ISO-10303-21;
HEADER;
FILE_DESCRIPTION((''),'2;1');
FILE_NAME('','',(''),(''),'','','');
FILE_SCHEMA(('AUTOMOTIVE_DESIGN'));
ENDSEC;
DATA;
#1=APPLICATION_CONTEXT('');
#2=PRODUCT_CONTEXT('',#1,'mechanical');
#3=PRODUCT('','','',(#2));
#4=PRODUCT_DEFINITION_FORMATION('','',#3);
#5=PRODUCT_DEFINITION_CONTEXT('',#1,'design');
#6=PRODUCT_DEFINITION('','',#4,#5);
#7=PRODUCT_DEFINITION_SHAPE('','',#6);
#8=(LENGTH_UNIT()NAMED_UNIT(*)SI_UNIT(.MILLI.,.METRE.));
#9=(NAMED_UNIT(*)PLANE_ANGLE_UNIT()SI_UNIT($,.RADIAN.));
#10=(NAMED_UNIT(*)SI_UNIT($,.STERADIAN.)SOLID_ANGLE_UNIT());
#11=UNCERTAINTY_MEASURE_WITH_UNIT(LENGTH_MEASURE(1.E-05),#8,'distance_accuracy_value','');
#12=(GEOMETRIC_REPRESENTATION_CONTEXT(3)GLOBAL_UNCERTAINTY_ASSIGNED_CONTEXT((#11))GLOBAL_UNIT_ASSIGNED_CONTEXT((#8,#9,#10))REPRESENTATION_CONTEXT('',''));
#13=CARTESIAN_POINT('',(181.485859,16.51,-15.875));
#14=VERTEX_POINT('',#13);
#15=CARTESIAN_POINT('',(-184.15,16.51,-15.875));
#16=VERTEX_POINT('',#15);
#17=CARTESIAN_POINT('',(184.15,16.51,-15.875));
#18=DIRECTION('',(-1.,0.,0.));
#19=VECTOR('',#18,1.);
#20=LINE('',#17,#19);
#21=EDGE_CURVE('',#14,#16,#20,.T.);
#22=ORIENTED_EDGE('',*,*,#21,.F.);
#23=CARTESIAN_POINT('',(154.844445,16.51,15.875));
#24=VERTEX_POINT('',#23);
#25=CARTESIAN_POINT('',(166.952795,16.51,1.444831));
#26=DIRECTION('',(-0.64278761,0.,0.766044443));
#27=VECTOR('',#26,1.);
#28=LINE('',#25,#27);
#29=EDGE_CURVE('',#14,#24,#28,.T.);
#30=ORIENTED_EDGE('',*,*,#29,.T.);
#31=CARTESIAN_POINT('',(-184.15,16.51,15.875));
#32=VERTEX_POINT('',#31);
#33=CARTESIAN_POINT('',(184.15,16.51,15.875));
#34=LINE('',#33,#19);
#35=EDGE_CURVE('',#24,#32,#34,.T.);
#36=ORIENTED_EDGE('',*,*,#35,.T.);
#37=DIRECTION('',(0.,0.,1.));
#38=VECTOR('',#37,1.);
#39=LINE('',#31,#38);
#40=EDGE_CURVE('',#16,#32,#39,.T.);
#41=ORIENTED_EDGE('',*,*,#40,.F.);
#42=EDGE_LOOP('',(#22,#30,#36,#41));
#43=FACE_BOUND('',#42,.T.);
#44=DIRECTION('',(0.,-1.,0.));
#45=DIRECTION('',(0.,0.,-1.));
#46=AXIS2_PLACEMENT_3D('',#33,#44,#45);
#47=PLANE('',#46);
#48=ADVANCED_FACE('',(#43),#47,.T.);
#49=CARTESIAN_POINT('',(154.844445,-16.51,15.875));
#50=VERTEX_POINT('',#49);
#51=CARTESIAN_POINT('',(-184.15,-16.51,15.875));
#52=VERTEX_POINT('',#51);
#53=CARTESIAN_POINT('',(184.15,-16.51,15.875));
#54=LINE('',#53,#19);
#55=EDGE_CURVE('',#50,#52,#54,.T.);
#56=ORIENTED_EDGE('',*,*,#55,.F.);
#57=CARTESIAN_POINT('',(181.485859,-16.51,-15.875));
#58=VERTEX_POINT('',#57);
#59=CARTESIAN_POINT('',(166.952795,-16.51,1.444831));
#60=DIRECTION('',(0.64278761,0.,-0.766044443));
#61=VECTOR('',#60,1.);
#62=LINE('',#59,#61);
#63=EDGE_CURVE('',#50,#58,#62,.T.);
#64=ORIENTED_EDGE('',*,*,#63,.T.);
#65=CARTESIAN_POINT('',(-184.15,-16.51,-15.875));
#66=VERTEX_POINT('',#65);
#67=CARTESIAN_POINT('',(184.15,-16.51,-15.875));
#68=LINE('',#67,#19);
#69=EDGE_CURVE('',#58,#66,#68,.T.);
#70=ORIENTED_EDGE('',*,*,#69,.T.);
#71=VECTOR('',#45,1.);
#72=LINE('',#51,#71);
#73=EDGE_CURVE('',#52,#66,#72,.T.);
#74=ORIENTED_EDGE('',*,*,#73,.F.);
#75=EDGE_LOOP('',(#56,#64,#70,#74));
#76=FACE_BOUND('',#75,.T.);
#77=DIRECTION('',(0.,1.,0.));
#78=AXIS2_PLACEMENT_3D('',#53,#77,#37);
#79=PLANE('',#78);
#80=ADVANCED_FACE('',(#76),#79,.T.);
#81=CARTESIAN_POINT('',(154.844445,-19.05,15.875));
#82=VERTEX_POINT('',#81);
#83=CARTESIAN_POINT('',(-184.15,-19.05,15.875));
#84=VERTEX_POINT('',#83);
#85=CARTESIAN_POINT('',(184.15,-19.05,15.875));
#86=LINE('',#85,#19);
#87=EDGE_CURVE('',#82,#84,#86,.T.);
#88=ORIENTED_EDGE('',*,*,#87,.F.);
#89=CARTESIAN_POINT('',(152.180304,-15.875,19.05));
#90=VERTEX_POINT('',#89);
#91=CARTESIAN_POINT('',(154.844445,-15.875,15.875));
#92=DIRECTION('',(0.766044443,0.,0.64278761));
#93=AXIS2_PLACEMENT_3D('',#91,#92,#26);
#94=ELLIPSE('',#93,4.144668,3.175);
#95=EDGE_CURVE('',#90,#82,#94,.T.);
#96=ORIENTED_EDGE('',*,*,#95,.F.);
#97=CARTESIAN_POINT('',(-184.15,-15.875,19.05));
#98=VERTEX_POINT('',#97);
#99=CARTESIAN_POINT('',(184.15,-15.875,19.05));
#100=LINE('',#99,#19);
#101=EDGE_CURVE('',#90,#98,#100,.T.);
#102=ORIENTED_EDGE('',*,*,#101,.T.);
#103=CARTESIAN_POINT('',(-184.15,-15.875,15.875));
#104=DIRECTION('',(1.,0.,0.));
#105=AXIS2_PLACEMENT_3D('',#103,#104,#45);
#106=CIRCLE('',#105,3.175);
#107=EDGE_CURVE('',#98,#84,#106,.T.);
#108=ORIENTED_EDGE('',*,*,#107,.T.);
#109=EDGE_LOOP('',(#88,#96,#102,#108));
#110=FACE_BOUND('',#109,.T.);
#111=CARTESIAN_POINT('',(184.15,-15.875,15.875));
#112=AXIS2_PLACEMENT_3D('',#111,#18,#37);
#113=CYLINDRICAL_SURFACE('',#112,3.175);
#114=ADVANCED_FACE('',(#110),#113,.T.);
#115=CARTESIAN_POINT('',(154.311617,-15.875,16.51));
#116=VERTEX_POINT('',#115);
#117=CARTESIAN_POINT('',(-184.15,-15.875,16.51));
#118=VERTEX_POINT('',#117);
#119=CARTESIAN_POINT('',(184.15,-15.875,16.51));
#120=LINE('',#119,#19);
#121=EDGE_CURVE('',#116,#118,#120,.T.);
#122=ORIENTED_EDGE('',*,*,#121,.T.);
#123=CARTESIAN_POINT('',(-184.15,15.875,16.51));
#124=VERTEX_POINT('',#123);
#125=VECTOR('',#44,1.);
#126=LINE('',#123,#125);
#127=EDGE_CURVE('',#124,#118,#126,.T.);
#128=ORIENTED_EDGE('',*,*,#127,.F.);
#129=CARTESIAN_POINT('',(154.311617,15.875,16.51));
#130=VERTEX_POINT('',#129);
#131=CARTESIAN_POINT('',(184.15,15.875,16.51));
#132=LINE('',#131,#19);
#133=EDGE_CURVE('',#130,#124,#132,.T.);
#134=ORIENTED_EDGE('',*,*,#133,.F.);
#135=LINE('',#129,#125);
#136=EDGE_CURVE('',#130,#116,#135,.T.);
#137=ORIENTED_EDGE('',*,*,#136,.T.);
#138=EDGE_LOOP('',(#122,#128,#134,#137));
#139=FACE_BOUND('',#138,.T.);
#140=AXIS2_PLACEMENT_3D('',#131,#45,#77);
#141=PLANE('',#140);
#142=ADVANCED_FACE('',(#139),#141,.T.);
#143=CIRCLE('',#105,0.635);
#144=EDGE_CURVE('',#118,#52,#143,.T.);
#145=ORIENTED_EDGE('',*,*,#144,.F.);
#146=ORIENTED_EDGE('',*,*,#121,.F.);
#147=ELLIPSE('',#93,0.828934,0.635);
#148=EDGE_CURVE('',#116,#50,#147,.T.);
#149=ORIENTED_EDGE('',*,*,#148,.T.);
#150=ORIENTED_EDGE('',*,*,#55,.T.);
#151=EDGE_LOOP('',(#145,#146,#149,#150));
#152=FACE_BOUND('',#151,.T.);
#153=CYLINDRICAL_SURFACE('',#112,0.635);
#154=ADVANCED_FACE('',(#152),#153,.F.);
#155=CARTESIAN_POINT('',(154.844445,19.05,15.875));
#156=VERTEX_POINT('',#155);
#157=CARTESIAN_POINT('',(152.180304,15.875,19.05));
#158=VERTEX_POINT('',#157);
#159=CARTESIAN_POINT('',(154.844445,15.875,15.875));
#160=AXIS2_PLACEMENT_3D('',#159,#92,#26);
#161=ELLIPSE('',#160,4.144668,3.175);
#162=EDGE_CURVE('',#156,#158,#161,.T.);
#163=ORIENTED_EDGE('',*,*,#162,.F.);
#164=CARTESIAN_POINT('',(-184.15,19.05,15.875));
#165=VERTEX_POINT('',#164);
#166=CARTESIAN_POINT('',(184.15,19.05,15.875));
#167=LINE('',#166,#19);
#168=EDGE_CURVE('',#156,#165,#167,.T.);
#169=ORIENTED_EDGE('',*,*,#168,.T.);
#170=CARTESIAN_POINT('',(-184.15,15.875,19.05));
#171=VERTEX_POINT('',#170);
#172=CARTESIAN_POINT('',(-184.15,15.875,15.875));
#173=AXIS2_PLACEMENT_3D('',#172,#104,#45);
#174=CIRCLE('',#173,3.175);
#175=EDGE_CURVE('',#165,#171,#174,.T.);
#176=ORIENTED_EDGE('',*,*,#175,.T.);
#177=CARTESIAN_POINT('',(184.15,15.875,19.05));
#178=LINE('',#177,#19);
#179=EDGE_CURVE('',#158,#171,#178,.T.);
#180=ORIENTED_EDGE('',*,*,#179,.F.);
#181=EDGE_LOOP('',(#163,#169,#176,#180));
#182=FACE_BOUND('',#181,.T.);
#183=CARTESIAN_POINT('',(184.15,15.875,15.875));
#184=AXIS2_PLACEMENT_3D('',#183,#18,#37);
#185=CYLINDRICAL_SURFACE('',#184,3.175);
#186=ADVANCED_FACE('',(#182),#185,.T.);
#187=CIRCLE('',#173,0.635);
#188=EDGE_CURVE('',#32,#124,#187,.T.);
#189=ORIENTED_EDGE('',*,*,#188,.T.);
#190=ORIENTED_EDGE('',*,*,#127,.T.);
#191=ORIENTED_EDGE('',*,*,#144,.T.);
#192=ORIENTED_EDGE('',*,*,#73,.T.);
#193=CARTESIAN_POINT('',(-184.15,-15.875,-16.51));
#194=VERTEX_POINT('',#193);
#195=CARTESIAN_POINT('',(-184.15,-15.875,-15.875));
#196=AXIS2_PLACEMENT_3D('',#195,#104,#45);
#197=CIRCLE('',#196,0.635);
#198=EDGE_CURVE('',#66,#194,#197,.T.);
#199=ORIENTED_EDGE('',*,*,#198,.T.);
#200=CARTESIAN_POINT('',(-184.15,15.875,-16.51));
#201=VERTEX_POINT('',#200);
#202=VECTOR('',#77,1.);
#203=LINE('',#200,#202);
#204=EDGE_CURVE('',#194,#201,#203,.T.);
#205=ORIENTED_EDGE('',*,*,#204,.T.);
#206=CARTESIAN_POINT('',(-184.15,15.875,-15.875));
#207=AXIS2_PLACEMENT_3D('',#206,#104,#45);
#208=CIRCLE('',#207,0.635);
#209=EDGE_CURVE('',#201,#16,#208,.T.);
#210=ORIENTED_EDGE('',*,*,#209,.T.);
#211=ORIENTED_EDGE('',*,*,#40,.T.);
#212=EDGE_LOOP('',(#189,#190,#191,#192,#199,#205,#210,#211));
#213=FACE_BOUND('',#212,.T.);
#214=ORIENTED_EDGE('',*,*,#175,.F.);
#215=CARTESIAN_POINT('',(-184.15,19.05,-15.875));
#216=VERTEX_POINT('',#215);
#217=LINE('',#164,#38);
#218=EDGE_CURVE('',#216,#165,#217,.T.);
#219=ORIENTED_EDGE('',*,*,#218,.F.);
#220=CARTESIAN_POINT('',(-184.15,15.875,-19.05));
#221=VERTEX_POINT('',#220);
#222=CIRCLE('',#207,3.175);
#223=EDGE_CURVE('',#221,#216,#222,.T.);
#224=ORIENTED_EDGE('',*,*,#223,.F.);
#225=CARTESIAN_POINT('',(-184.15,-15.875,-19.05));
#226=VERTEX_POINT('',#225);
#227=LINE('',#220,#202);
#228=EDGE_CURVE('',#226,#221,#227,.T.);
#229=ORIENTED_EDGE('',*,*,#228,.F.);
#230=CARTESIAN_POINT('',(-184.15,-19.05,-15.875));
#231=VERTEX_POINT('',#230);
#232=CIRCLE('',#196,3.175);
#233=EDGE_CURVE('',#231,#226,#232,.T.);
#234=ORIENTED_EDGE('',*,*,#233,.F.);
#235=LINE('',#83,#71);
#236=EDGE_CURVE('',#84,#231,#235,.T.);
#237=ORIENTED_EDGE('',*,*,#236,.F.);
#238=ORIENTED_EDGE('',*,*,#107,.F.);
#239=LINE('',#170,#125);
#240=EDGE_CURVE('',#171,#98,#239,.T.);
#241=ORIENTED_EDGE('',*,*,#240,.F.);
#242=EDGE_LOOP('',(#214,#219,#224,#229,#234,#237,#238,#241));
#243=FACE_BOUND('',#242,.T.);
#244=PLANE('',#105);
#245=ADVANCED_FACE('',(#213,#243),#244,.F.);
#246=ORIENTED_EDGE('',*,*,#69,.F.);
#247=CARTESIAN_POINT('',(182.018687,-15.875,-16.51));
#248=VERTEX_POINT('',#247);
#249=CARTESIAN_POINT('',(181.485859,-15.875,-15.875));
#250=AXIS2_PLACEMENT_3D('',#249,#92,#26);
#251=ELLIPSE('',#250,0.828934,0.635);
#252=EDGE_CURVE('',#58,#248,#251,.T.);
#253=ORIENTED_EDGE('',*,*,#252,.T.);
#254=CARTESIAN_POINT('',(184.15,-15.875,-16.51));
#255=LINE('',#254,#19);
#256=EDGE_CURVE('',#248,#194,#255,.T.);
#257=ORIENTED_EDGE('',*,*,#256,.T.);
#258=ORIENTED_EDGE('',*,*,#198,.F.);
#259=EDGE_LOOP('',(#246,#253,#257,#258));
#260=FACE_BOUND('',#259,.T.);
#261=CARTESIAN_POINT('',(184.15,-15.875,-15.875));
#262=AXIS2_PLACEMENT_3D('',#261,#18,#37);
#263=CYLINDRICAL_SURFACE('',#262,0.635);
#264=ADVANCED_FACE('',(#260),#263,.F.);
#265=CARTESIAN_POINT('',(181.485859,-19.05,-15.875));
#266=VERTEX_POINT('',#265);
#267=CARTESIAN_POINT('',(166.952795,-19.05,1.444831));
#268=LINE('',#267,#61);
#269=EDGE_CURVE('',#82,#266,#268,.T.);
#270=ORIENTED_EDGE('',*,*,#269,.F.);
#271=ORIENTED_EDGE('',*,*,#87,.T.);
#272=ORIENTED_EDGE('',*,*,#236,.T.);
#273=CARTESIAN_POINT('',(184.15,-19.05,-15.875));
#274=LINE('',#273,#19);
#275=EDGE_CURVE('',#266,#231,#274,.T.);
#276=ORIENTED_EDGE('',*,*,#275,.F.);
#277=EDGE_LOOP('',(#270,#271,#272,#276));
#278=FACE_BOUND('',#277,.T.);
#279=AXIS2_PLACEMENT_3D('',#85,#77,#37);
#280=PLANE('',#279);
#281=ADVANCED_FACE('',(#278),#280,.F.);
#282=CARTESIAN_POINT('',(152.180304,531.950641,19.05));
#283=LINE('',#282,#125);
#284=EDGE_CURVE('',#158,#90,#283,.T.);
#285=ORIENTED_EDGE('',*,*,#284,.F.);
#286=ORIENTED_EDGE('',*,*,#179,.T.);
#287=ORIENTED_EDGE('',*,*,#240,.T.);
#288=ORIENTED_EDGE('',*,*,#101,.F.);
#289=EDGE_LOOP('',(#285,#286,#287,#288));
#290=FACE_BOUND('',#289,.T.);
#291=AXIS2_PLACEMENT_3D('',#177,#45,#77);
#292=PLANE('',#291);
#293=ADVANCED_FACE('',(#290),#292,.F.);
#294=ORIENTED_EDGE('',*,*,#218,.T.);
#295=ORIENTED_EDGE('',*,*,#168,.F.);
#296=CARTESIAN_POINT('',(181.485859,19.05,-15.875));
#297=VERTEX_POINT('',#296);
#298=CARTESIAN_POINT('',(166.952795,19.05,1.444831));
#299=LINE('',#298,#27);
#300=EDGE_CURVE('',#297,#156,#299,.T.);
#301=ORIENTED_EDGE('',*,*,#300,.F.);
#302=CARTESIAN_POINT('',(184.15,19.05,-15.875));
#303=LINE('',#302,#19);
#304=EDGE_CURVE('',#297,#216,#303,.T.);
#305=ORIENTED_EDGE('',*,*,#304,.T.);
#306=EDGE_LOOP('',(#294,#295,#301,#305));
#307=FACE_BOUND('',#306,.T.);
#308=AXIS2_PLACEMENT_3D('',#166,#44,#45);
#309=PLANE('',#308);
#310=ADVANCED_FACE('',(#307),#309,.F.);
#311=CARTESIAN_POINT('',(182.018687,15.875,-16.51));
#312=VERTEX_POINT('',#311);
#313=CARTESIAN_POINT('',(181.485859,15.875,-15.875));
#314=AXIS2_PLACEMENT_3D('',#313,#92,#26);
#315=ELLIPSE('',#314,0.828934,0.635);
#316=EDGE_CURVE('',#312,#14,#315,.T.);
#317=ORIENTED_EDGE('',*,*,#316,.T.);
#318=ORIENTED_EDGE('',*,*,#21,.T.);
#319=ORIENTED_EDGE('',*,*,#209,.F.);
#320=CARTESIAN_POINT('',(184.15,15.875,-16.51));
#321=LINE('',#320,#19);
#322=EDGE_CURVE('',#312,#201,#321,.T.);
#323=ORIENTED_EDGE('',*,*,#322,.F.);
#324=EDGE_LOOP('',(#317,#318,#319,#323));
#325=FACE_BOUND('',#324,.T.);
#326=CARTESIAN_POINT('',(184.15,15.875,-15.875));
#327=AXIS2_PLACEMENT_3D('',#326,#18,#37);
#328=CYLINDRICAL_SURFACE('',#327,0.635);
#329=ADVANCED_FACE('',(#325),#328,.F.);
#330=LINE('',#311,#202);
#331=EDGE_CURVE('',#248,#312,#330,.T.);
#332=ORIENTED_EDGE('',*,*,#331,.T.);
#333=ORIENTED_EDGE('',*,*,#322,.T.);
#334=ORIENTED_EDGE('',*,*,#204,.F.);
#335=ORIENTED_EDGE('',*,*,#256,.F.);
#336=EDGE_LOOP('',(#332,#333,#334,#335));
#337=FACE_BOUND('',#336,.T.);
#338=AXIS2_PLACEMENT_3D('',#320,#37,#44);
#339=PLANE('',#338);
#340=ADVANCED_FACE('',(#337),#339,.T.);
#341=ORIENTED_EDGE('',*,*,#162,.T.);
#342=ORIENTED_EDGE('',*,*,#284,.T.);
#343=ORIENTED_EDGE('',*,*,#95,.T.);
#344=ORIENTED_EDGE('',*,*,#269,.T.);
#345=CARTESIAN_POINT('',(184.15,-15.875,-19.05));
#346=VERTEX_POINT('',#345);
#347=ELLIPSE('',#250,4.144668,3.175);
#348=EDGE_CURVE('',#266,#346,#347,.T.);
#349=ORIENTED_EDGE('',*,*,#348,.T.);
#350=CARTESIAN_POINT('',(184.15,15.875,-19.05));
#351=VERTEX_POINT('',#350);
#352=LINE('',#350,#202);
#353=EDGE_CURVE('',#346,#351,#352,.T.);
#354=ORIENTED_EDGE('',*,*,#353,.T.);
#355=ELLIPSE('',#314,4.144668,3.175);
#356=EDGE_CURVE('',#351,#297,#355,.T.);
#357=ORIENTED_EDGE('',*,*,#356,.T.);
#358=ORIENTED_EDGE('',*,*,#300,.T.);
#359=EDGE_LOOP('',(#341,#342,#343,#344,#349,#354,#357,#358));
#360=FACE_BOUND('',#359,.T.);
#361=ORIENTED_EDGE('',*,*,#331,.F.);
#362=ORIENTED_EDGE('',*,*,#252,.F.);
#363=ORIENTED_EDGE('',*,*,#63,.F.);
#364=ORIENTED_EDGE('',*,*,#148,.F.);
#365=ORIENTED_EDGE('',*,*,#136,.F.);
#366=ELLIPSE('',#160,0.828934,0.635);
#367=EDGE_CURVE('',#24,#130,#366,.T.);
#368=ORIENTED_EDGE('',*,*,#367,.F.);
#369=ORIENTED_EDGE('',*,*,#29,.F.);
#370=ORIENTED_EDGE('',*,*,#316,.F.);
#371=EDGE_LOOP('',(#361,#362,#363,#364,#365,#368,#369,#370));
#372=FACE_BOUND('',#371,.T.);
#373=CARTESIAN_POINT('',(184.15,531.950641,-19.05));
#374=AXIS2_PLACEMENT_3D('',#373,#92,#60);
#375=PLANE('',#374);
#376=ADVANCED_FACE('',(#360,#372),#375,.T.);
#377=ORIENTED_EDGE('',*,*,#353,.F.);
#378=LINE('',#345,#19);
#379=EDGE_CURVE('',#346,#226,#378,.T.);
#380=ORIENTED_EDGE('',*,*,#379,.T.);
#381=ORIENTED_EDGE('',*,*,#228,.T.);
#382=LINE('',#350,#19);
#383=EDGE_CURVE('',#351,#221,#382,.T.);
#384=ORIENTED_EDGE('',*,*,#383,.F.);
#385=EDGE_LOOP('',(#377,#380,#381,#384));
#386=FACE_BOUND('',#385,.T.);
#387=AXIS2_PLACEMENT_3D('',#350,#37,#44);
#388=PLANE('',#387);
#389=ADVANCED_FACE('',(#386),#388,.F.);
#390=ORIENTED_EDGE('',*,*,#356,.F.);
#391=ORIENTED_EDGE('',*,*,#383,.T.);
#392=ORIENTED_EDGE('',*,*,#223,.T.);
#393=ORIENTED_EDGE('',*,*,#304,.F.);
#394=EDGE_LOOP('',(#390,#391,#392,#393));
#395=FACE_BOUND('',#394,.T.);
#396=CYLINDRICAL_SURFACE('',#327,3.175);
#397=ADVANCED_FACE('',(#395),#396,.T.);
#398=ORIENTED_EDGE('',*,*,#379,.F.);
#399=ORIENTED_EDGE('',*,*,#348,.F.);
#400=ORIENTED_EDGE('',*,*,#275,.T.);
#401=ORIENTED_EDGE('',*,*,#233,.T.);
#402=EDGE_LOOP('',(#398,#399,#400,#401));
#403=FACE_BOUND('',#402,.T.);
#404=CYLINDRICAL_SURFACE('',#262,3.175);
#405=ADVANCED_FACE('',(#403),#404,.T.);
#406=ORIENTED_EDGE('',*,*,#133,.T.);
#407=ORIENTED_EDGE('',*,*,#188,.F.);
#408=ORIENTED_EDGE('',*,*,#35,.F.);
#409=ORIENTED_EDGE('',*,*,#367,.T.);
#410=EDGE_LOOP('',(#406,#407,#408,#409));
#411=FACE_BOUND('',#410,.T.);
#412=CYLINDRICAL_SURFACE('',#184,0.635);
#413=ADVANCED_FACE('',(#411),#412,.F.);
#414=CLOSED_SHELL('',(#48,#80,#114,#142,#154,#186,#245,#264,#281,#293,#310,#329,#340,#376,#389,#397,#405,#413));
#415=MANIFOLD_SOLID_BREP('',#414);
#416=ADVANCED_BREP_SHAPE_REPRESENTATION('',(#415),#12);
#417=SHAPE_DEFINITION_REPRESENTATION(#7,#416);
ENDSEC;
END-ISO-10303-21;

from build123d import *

# Parameters (mm, degrees)
EXTRUDE_THIN1_DEPTH     = 184.15
CUT_EXTRUDE1_DEPTH      = 1
CUT_EXTRUDE1_DEPTH_BACK = 39.1


with BuildPart() as part:
    # Sketch1 → Extrude-Thin1 (new body, symmetric)
    with BuildSketch(Plane(origin=(0, 0, 0), x_dir=(0, 0, -1), z_dir=(1, 0, 0))):
        with BuildLine():
            Line((-15.875, 19.05), (15.875, 19.05))
            ThreePointArc((15.875, 19.05), (18.12006403, 18.12006403), (19.05, 15.875))
            Line((19.05, 15.875), (19.05, -15.875))
            ThreePointArc((19.05, -15.875), (18.12006403, -18.12006403), (15.875, -19.05))
            Line((15.875, -19.05), (-15.875, -19.05))
            ThreePointArc((-15.875, -19.05), (-18.12006403, -18.12006403), (-19.05, -15.875))
            Line((-19.05, -15.875), (-19.05, 15.875))
            ThreePointArc((-19.05, 15.875), (-18.12006403, 18.12006403), (-15.875, 19.05))
        make_face()
        with BuildLine():
            Line((-15.875, 16.51), (15.875, 16.51))
            ThreePointArc((15.875, 16.51), (16.324012806, 16.324012806), (16.51, 15.875))
            Line((16.51, 15.875), (16.51, -15.875))
            ThreePointArc((16.51, -15.875), (16.324012806, -16.324012806), (15.875, -16.51))
            Line((15.875, -16.51), (-15.875, -16.51))
            ThreePointArc((-15.875, -16.51), (-16.324012806, -16.324012806), (-16.51, -15.875))
            Line((-16.51, -15.875), (-16.51, 15.875))
            ThreePointArc((-16.51, 15.875), (-16.324012806, 16.324012806), (-15.875, 16.51))
        make_face(mode=Mode.SUBTRACT)
    extrude(amount=EXTRUDE_THIN1_DEPTH, both=True)

    # Sketch3 → Cut-Extrude1 (cut, two sides)
    with BuildSketch(Plane(origin=(0, 19.05, 0), x_dir=(1, 0, 0), z_dir=(0, 1, 0))) as cut_extrude1_sk:
        Polygon((666.581957194, 593.990018168), (184.15, 19.05), (152.180304052, -19.05), (-330.251653142, -593.990018168), (819.628383194, -1558.853932556), (1816.46199353, -370.87389622), align=None)
    extrude(amount=CUT_EXTRUDE1_DEPTH, mode=Mode.SUBTRACT)
    extrude(cut_extrude1_sk.sketch, amount=-CUT_EXTRUDE1_DEPTH_BACK, mode=Mode.SUBTRACT)


solid = part.part
